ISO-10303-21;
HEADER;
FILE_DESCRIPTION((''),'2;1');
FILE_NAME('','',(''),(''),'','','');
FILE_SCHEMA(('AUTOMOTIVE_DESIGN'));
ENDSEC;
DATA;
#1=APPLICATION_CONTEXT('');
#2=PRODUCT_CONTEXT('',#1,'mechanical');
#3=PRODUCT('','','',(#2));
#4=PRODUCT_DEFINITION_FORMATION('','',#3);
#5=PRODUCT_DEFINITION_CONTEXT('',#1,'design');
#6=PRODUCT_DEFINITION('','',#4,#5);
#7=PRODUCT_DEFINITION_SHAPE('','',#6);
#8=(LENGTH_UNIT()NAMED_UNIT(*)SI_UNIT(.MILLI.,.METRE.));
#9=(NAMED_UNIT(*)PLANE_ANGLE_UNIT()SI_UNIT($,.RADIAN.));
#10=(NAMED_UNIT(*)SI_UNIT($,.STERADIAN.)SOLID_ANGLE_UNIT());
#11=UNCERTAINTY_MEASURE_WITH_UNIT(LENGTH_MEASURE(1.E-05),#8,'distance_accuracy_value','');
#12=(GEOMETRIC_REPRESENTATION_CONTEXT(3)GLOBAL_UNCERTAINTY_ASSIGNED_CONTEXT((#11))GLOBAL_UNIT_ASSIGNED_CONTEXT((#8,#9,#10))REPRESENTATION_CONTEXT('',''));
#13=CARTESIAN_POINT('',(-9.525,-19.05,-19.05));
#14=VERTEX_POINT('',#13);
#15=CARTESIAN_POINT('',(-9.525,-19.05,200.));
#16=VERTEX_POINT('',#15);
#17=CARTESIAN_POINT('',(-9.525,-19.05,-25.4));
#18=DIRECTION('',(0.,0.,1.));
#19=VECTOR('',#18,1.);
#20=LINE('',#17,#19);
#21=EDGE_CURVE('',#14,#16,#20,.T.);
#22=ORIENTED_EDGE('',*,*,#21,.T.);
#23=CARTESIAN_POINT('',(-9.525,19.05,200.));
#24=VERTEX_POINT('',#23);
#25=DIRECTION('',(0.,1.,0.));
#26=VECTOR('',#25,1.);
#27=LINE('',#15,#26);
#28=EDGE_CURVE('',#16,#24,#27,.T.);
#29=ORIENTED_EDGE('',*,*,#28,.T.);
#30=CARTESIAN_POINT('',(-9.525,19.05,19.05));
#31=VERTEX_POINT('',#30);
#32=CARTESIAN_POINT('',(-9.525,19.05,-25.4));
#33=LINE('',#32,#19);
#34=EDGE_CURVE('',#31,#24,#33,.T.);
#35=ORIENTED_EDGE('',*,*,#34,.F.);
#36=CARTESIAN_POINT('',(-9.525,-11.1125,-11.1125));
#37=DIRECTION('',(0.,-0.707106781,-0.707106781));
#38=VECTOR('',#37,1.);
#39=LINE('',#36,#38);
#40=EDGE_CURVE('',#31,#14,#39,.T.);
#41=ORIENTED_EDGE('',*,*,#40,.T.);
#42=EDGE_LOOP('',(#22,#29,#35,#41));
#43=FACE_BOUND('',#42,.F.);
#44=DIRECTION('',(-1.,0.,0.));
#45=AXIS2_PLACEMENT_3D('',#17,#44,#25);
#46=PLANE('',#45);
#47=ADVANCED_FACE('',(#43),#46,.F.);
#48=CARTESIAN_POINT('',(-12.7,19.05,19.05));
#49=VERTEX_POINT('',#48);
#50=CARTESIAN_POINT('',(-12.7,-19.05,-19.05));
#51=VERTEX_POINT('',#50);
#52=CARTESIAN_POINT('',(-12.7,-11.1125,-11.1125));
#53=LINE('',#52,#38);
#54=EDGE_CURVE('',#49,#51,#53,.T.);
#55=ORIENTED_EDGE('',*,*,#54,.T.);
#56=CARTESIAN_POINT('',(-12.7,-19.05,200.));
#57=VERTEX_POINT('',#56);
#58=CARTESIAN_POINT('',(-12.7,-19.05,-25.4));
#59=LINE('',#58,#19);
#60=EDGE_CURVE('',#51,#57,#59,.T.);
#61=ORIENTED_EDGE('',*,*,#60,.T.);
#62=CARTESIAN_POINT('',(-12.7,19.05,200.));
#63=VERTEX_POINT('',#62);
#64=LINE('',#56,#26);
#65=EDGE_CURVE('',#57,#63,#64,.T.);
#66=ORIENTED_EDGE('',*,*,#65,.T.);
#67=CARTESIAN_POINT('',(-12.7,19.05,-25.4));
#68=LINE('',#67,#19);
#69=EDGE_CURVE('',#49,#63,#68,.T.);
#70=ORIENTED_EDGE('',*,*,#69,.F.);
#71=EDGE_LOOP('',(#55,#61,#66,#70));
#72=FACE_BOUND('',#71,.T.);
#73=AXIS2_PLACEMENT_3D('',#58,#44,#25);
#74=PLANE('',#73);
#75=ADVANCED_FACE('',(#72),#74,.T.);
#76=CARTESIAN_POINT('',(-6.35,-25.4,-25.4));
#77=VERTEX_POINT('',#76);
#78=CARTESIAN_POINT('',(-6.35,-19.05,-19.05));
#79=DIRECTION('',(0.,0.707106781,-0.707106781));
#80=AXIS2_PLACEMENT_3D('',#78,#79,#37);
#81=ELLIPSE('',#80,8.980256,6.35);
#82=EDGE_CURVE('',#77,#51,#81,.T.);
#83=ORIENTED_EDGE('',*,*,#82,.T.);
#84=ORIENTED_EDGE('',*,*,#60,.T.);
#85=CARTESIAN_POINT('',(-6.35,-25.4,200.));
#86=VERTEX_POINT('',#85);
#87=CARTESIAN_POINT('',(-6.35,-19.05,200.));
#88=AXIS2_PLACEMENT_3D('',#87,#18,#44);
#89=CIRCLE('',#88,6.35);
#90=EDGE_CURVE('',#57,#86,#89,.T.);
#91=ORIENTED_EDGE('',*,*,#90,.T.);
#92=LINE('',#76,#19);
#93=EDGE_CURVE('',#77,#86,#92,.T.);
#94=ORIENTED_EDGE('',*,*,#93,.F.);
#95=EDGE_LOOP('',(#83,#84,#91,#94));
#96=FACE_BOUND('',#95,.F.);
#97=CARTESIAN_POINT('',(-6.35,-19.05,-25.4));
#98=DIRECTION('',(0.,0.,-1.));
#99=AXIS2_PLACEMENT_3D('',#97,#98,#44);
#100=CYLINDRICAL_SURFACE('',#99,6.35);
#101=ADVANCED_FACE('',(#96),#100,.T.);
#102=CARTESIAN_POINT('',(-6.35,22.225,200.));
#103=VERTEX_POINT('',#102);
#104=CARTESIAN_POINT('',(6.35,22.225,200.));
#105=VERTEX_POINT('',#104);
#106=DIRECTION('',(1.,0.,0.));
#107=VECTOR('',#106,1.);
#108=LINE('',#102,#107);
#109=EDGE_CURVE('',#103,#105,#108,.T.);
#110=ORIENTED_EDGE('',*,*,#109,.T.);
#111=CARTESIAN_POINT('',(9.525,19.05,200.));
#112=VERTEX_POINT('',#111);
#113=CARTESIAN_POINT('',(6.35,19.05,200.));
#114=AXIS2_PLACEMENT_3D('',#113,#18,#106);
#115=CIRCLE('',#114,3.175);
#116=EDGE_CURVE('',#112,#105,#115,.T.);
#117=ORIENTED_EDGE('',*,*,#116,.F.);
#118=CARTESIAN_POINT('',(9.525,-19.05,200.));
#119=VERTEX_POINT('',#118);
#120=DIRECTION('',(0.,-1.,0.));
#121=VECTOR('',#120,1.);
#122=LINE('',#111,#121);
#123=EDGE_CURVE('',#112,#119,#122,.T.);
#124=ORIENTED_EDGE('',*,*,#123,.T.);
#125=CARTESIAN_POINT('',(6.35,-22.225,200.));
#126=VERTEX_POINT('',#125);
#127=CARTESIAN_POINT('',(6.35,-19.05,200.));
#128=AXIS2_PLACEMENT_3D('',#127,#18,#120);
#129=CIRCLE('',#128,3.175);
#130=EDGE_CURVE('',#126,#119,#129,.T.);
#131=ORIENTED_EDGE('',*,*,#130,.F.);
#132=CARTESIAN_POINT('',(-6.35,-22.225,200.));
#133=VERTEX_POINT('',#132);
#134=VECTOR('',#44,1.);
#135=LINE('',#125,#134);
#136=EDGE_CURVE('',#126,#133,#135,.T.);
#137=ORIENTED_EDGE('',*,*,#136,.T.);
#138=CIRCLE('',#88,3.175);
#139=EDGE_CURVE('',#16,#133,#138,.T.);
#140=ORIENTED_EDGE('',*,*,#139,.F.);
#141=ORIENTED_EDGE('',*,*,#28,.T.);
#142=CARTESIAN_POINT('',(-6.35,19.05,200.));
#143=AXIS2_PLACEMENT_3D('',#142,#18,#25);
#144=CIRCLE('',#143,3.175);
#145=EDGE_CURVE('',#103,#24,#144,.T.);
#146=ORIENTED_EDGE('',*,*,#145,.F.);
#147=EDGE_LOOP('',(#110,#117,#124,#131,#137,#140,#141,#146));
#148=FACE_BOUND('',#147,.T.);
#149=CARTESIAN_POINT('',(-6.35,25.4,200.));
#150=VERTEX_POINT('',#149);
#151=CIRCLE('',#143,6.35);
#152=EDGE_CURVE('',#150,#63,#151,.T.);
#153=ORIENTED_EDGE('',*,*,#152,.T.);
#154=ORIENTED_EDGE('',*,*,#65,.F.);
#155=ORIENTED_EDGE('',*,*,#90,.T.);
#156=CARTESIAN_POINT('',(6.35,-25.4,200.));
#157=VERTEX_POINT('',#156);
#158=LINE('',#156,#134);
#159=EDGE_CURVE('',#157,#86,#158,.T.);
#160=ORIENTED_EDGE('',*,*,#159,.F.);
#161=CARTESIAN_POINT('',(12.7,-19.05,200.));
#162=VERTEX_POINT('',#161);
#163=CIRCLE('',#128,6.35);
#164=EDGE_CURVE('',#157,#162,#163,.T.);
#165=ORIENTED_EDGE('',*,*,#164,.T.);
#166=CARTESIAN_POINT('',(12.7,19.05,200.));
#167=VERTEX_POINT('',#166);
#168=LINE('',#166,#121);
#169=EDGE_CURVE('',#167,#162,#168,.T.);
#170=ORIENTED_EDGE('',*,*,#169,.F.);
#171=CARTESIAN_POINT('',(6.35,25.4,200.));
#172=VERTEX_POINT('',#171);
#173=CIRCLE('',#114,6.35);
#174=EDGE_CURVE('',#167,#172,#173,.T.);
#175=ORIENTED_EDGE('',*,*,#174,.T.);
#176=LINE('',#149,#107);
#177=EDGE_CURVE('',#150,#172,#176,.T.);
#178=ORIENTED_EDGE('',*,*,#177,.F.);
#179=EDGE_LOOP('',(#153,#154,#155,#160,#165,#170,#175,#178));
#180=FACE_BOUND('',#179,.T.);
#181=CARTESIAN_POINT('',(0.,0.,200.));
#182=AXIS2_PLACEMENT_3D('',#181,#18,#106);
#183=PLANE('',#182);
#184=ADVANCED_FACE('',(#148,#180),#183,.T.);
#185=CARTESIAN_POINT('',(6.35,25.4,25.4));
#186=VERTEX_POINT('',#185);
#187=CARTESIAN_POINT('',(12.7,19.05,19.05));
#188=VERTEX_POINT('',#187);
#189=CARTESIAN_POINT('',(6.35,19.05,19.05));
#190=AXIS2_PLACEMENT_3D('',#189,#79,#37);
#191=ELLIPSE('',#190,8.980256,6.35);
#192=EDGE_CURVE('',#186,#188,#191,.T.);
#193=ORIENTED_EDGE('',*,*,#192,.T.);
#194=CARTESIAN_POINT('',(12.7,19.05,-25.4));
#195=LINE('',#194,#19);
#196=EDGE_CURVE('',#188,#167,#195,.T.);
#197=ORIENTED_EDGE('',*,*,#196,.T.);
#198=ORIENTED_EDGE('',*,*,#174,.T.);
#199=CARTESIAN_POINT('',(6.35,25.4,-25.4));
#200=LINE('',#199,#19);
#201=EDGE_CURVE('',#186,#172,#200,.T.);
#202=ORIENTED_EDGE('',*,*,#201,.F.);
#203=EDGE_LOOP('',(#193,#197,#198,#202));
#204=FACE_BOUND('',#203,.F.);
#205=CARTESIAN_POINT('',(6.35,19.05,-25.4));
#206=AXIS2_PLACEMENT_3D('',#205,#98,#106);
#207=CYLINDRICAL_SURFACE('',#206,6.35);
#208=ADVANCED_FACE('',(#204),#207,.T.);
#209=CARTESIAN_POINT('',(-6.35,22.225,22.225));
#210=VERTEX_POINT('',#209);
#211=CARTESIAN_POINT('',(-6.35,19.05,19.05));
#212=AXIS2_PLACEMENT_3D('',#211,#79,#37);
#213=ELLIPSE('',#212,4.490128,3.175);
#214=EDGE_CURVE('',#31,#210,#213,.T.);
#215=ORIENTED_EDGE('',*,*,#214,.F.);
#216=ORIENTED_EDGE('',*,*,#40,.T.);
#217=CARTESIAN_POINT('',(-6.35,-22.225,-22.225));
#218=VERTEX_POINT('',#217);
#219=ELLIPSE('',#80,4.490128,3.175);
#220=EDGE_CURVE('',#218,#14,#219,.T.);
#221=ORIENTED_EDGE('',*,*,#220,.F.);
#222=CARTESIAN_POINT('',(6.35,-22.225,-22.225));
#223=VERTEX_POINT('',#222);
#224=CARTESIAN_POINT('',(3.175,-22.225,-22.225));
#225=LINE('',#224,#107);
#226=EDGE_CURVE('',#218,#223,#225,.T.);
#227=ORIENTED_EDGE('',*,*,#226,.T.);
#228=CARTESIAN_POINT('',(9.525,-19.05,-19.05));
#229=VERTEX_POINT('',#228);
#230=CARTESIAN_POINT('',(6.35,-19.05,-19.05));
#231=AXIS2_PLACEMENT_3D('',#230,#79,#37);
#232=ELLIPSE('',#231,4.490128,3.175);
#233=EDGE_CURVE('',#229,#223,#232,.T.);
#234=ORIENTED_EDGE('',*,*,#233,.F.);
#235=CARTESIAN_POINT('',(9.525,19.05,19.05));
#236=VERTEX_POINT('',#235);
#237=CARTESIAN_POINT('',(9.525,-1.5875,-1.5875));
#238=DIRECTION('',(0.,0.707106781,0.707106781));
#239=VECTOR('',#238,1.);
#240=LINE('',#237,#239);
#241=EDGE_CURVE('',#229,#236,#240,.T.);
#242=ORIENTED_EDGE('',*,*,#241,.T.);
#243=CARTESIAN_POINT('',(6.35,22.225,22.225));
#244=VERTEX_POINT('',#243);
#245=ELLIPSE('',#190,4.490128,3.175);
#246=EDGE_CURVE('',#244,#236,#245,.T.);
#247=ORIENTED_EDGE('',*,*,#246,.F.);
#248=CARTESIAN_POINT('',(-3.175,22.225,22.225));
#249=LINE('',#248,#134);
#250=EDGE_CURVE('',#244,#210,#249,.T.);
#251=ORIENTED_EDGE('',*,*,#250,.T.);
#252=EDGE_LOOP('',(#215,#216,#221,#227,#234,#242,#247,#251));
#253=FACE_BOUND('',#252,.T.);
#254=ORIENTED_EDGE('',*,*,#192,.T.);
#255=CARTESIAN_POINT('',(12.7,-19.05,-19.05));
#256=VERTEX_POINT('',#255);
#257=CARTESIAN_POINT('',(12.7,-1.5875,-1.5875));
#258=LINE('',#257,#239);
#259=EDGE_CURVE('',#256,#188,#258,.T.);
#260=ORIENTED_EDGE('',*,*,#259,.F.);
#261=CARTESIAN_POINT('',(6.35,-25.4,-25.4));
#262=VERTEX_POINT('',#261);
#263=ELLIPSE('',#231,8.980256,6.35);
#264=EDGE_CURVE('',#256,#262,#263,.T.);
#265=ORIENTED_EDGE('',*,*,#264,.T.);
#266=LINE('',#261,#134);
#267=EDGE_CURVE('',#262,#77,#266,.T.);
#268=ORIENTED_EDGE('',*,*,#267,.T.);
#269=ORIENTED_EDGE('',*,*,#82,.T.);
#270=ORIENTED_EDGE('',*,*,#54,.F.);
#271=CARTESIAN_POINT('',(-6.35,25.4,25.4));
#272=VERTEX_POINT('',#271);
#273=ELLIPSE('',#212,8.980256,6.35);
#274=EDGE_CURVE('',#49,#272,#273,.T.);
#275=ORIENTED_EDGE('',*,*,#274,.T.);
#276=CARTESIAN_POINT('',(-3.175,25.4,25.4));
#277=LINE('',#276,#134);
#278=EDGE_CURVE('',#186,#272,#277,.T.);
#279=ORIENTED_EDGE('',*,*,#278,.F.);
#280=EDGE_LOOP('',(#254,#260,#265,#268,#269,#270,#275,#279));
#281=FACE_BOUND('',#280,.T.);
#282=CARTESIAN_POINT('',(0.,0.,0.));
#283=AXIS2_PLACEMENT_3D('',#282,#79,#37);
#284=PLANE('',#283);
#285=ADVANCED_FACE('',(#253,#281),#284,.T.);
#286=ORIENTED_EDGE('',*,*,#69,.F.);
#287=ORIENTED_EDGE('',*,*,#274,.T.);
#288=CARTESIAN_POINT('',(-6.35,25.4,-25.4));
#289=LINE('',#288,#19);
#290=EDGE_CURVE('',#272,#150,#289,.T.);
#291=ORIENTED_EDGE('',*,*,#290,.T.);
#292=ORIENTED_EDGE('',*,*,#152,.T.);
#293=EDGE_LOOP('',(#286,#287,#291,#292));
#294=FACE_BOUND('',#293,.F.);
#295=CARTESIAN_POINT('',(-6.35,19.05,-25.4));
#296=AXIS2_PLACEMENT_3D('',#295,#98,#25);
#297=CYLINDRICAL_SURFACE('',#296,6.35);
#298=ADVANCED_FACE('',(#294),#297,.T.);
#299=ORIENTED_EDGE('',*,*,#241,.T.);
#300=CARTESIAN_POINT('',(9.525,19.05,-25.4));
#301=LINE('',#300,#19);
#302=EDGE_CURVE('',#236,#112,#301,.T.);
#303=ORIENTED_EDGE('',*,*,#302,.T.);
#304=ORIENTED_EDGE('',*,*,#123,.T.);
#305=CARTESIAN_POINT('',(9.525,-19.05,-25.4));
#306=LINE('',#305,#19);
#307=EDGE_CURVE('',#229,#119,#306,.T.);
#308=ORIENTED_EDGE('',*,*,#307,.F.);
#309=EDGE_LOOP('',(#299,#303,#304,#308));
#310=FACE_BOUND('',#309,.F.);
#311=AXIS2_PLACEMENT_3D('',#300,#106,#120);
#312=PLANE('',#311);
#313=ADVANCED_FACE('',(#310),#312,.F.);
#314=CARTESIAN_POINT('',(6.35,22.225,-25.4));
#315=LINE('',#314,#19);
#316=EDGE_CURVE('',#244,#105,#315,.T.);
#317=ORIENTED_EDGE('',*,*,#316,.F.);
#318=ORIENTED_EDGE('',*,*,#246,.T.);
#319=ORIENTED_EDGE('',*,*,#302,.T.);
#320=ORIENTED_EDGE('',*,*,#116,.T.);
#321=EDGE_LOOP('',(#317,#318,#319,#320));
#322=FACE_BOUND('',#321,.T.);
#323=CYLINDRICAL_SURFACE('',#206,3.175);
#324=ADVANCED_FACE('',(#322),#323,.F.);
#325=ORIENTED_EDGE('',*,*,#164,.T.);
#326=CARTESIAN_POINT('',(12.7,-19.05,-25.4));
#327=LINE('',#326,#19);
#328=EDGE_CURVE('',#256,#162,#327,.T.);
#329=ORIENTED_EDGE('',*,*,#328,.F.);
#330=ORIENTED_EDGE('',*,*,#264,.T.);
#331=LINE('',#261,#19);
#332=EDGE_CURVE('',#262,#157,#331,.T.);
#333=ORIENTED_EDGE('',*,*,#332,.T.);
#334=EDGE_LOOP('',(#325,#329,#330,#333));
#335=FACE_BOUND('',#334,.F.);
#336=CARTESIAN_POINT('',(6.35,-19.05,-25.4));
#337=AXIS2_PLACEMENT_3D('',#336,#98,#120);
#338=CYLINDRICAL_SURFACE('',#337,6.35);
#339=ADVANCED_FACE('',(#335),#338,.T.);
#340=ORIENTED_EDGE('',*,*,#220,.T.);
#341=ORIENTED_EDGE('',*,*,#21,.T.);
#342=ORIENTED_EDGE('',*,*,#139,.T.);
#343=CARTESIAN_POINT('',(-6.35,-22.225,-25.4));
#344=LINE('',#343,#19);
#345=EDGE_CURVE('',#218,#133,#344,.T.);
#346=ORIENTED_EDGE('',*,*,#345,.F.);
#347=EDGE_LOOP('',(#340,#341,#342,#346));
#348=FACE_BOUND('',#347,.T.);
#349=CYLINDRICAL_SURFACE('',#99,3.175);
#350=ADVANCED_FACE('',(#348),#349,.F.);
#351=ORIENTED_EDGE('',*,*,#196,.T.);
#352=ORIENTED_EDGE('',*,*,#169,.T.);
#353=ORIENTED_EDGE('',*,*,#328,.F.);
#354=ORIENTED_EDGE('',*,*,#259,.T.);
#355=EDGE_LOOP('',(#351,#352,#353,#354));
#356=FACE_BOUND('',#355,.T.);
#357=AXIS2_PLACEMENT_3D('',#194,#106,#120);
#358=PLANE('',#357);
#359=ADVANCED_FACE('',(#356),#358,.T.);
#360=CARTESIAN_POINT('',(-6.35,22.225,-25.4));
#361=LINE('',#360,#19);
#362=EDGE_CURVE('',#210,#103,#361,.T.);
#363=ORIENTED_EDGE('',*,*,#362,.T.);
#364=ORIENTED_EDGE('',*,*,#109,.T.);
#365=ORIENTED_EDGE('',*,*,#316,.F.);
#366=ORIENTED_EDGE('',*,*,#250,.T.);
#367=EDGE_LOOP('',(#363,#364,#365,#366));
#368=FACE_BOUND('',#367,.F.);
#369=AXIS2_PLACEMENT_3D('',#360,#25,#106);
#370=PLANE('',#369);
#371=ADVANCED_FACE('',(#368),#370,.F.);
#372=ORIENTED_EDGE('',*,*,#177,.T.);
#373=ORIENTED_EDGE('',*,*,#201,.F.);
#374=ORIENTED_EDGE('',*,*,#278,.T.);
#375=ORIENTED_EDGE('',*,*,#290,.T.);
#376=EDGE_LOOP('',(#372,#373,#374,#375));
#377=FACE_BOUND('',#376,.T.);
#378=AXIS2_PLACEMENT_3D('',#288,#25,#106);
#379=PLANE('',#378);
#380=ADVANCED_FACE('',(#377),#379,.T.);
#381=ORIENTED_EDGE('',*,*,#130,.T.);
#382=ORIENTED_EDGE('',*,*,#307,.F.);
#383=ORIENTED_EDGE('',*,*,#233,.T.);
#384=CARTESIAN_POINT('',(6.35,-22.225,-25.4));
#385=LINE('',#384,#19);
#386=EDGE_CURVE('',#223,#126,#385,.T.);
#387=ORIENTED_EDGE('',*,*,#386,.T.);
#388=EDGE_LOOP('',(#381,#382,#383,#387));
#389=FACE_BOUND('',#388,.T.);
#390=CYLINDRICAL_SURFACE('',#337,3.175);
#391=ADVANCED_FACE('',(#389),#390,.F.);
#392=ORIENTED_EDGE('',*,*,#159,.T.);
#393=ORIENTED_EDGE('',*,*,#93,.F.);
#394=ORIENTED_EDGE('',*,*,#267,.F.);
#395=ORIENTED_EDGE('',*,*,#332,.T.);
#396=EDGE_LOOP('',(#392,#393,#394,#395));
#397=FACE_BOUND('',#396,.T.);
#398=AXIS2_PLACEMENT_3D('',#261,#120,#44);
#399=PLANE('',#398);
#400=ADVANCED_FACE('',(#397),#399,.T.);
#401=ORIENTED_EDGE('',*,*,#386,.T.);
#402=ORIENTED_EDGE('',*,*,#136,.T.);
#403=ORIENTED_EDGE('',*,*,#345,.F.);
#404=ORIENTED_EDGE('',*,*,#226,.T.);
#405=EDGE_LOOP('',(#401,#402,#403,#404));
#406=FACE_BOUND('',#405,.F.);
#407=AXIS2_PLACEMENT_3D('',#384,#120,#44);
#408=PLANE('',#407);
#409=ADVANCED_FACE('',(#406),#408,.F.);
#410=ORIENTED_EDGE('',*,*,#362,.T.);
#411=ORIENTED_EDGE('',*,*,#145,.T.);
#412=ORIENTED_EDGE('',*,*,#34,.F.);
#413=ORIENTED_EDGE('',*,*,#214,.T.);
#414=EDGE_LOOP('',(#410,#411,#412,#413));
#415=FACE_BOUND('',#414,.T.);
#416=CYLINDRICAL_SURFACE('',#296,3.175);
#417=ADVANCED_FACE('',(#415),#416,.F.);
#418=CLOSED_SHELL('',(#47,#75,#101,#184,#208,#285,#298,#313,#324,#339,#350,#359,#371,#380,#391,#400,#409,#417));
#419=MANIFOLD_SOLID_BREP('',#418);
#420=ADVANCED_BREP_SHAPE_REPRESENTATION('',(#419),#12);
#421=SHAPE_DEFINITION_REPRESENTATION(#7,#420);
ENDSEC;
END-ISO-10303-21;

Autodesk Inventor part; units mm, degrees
ref_plane "Start Plane" through (0, 0, -25.4) normal (0, 0, 1) x (1, 0, 0)
ref_plane "End Plane" through (0, 0, 200) normal (0, 0, 1) x (1, 0, 0)
sketch "Sketch" plane through (0, 0, 0) normal (0, 0, 1) x (1, 0, 0)
  line L0 (-12.7, -19.05) -> (-12.7, 19.05)
  line L1 (-6.35, 25.4) -> (6.35, 25.4)
  line L2 (12.7, 19.05) -> (12.7, -19.05)
  line L3 (6.35, -25.4) -> (-6.35, -25.4)
  arc A0 (-12.7, -19.05) -> (-6.35, -25.4) centre (-6.35, -19.05) ccw
  arc A1 (-6.35, 25.4) -> (-12.7, 19.05) centre (-6.35, 19.05) ccw
  arc A2 (12.7, 19.05) -> (6.35, 25.4) centre (6.35, 19.05) ccw
  arc A3 (6.35, -25.4) -> (12.7, -19.05) centre (6.35, -19.05) ccw
  arc A4 (-6.35, 22.225) -> (-9.525, 19.05) centre (-6.35, 19.05) ccw
  line L4 (-6.35, 22.225) -> (6.35, 22.225)
  arc A5 (9.525, 19.05) -> (6.35, 22.225) centre (6.35, 19.05) ccw
  line L5 (9.525, 19.05) -> (9.525, -19.05)
  arc A6 (6.35, -22.225) -> (9.525, -19.05) centre (6.35, -19.05) ccw
  line L6 (6.35, -22.225) -> (-6.35, -22.225)
  arc A7 (-9.525, -19.05) -> (-6.35, -22.225) centre (-6.35, -19.05) ccw
  line L7 (-9.525, -19.05) -> (-9.525, 19.05)
  line L8 (0, 37.4012) -> (0, -37.4012) construction
  line L9 (-19.6212, 0) -> (19.6212, 0) construction
  dimension "d10" = 50.8
  dimension "d11" = 25.4
  dimension "d12" = 3.175
  dimension "d15" = 25.4
  dimension "d16" = 12.7
  dimension "d17" = 6.35
extrude "Body" add sketch "Sketch" along normal up to surface (225.4 mm away) from surface at -25.4
sketch "Sketch3" plane through (0, 0, 0) normal (0, 0, 1) x (1, 0, 0)
  line L0 (0, 0) -> (10, 0)
ref_plane "Work Plane3" through (0, 0, 0) normal (0, -1, 0) x (1, 0, 0)
ref_plane "Work Plane4" through (0, 0, 0) normal (0, 0.7071, -0.7071) x (1, 0, 0)
split "Split1" plane through (0, 0, 0) removes the side toward (0, 0.7071, -0.7071)
sketch "Sketch4" plane through (0, 0, 0) normal (0, -1, 0) x (1, 0, 0)
  line L0 (-2, -25.4) -> (12, -25.4) projected
  line L1 (-2, 200) -> (12, 200) projected
  dimension "d19" = 225.4
equation "\"d10\" = G_H"
equation "\"d11\" = G_W"
equation "\"d12\" = G_T"
equation "\"d15\" = 0.5 * d10"
equation "\"d16\" = 0.5 * d11"
equation "\"d17\" = G_IR"
equation "\"d3\" = G_L"
equation "\"G_W\" = 25.4"
equation "\"G_H\" = 50.8"
equation "\"G_T\" = 3.175"
equation "\"G_IR\" = 6.35"
equation "\"G_L\" = d19"
equation "\"G_OFFSET_START\" = 25.4"
equation "\"G_OFFSET_END\" = 0"
equation "\"d13\" = -G_OFFSET_START"
equation "\"d14\" = G_OFFSET_END + B_L"
equation "\"B_L\" = 200"
properties part number "AISC - 2 x 1 x 1/8 - 8.874" material "Steel, Mild"
